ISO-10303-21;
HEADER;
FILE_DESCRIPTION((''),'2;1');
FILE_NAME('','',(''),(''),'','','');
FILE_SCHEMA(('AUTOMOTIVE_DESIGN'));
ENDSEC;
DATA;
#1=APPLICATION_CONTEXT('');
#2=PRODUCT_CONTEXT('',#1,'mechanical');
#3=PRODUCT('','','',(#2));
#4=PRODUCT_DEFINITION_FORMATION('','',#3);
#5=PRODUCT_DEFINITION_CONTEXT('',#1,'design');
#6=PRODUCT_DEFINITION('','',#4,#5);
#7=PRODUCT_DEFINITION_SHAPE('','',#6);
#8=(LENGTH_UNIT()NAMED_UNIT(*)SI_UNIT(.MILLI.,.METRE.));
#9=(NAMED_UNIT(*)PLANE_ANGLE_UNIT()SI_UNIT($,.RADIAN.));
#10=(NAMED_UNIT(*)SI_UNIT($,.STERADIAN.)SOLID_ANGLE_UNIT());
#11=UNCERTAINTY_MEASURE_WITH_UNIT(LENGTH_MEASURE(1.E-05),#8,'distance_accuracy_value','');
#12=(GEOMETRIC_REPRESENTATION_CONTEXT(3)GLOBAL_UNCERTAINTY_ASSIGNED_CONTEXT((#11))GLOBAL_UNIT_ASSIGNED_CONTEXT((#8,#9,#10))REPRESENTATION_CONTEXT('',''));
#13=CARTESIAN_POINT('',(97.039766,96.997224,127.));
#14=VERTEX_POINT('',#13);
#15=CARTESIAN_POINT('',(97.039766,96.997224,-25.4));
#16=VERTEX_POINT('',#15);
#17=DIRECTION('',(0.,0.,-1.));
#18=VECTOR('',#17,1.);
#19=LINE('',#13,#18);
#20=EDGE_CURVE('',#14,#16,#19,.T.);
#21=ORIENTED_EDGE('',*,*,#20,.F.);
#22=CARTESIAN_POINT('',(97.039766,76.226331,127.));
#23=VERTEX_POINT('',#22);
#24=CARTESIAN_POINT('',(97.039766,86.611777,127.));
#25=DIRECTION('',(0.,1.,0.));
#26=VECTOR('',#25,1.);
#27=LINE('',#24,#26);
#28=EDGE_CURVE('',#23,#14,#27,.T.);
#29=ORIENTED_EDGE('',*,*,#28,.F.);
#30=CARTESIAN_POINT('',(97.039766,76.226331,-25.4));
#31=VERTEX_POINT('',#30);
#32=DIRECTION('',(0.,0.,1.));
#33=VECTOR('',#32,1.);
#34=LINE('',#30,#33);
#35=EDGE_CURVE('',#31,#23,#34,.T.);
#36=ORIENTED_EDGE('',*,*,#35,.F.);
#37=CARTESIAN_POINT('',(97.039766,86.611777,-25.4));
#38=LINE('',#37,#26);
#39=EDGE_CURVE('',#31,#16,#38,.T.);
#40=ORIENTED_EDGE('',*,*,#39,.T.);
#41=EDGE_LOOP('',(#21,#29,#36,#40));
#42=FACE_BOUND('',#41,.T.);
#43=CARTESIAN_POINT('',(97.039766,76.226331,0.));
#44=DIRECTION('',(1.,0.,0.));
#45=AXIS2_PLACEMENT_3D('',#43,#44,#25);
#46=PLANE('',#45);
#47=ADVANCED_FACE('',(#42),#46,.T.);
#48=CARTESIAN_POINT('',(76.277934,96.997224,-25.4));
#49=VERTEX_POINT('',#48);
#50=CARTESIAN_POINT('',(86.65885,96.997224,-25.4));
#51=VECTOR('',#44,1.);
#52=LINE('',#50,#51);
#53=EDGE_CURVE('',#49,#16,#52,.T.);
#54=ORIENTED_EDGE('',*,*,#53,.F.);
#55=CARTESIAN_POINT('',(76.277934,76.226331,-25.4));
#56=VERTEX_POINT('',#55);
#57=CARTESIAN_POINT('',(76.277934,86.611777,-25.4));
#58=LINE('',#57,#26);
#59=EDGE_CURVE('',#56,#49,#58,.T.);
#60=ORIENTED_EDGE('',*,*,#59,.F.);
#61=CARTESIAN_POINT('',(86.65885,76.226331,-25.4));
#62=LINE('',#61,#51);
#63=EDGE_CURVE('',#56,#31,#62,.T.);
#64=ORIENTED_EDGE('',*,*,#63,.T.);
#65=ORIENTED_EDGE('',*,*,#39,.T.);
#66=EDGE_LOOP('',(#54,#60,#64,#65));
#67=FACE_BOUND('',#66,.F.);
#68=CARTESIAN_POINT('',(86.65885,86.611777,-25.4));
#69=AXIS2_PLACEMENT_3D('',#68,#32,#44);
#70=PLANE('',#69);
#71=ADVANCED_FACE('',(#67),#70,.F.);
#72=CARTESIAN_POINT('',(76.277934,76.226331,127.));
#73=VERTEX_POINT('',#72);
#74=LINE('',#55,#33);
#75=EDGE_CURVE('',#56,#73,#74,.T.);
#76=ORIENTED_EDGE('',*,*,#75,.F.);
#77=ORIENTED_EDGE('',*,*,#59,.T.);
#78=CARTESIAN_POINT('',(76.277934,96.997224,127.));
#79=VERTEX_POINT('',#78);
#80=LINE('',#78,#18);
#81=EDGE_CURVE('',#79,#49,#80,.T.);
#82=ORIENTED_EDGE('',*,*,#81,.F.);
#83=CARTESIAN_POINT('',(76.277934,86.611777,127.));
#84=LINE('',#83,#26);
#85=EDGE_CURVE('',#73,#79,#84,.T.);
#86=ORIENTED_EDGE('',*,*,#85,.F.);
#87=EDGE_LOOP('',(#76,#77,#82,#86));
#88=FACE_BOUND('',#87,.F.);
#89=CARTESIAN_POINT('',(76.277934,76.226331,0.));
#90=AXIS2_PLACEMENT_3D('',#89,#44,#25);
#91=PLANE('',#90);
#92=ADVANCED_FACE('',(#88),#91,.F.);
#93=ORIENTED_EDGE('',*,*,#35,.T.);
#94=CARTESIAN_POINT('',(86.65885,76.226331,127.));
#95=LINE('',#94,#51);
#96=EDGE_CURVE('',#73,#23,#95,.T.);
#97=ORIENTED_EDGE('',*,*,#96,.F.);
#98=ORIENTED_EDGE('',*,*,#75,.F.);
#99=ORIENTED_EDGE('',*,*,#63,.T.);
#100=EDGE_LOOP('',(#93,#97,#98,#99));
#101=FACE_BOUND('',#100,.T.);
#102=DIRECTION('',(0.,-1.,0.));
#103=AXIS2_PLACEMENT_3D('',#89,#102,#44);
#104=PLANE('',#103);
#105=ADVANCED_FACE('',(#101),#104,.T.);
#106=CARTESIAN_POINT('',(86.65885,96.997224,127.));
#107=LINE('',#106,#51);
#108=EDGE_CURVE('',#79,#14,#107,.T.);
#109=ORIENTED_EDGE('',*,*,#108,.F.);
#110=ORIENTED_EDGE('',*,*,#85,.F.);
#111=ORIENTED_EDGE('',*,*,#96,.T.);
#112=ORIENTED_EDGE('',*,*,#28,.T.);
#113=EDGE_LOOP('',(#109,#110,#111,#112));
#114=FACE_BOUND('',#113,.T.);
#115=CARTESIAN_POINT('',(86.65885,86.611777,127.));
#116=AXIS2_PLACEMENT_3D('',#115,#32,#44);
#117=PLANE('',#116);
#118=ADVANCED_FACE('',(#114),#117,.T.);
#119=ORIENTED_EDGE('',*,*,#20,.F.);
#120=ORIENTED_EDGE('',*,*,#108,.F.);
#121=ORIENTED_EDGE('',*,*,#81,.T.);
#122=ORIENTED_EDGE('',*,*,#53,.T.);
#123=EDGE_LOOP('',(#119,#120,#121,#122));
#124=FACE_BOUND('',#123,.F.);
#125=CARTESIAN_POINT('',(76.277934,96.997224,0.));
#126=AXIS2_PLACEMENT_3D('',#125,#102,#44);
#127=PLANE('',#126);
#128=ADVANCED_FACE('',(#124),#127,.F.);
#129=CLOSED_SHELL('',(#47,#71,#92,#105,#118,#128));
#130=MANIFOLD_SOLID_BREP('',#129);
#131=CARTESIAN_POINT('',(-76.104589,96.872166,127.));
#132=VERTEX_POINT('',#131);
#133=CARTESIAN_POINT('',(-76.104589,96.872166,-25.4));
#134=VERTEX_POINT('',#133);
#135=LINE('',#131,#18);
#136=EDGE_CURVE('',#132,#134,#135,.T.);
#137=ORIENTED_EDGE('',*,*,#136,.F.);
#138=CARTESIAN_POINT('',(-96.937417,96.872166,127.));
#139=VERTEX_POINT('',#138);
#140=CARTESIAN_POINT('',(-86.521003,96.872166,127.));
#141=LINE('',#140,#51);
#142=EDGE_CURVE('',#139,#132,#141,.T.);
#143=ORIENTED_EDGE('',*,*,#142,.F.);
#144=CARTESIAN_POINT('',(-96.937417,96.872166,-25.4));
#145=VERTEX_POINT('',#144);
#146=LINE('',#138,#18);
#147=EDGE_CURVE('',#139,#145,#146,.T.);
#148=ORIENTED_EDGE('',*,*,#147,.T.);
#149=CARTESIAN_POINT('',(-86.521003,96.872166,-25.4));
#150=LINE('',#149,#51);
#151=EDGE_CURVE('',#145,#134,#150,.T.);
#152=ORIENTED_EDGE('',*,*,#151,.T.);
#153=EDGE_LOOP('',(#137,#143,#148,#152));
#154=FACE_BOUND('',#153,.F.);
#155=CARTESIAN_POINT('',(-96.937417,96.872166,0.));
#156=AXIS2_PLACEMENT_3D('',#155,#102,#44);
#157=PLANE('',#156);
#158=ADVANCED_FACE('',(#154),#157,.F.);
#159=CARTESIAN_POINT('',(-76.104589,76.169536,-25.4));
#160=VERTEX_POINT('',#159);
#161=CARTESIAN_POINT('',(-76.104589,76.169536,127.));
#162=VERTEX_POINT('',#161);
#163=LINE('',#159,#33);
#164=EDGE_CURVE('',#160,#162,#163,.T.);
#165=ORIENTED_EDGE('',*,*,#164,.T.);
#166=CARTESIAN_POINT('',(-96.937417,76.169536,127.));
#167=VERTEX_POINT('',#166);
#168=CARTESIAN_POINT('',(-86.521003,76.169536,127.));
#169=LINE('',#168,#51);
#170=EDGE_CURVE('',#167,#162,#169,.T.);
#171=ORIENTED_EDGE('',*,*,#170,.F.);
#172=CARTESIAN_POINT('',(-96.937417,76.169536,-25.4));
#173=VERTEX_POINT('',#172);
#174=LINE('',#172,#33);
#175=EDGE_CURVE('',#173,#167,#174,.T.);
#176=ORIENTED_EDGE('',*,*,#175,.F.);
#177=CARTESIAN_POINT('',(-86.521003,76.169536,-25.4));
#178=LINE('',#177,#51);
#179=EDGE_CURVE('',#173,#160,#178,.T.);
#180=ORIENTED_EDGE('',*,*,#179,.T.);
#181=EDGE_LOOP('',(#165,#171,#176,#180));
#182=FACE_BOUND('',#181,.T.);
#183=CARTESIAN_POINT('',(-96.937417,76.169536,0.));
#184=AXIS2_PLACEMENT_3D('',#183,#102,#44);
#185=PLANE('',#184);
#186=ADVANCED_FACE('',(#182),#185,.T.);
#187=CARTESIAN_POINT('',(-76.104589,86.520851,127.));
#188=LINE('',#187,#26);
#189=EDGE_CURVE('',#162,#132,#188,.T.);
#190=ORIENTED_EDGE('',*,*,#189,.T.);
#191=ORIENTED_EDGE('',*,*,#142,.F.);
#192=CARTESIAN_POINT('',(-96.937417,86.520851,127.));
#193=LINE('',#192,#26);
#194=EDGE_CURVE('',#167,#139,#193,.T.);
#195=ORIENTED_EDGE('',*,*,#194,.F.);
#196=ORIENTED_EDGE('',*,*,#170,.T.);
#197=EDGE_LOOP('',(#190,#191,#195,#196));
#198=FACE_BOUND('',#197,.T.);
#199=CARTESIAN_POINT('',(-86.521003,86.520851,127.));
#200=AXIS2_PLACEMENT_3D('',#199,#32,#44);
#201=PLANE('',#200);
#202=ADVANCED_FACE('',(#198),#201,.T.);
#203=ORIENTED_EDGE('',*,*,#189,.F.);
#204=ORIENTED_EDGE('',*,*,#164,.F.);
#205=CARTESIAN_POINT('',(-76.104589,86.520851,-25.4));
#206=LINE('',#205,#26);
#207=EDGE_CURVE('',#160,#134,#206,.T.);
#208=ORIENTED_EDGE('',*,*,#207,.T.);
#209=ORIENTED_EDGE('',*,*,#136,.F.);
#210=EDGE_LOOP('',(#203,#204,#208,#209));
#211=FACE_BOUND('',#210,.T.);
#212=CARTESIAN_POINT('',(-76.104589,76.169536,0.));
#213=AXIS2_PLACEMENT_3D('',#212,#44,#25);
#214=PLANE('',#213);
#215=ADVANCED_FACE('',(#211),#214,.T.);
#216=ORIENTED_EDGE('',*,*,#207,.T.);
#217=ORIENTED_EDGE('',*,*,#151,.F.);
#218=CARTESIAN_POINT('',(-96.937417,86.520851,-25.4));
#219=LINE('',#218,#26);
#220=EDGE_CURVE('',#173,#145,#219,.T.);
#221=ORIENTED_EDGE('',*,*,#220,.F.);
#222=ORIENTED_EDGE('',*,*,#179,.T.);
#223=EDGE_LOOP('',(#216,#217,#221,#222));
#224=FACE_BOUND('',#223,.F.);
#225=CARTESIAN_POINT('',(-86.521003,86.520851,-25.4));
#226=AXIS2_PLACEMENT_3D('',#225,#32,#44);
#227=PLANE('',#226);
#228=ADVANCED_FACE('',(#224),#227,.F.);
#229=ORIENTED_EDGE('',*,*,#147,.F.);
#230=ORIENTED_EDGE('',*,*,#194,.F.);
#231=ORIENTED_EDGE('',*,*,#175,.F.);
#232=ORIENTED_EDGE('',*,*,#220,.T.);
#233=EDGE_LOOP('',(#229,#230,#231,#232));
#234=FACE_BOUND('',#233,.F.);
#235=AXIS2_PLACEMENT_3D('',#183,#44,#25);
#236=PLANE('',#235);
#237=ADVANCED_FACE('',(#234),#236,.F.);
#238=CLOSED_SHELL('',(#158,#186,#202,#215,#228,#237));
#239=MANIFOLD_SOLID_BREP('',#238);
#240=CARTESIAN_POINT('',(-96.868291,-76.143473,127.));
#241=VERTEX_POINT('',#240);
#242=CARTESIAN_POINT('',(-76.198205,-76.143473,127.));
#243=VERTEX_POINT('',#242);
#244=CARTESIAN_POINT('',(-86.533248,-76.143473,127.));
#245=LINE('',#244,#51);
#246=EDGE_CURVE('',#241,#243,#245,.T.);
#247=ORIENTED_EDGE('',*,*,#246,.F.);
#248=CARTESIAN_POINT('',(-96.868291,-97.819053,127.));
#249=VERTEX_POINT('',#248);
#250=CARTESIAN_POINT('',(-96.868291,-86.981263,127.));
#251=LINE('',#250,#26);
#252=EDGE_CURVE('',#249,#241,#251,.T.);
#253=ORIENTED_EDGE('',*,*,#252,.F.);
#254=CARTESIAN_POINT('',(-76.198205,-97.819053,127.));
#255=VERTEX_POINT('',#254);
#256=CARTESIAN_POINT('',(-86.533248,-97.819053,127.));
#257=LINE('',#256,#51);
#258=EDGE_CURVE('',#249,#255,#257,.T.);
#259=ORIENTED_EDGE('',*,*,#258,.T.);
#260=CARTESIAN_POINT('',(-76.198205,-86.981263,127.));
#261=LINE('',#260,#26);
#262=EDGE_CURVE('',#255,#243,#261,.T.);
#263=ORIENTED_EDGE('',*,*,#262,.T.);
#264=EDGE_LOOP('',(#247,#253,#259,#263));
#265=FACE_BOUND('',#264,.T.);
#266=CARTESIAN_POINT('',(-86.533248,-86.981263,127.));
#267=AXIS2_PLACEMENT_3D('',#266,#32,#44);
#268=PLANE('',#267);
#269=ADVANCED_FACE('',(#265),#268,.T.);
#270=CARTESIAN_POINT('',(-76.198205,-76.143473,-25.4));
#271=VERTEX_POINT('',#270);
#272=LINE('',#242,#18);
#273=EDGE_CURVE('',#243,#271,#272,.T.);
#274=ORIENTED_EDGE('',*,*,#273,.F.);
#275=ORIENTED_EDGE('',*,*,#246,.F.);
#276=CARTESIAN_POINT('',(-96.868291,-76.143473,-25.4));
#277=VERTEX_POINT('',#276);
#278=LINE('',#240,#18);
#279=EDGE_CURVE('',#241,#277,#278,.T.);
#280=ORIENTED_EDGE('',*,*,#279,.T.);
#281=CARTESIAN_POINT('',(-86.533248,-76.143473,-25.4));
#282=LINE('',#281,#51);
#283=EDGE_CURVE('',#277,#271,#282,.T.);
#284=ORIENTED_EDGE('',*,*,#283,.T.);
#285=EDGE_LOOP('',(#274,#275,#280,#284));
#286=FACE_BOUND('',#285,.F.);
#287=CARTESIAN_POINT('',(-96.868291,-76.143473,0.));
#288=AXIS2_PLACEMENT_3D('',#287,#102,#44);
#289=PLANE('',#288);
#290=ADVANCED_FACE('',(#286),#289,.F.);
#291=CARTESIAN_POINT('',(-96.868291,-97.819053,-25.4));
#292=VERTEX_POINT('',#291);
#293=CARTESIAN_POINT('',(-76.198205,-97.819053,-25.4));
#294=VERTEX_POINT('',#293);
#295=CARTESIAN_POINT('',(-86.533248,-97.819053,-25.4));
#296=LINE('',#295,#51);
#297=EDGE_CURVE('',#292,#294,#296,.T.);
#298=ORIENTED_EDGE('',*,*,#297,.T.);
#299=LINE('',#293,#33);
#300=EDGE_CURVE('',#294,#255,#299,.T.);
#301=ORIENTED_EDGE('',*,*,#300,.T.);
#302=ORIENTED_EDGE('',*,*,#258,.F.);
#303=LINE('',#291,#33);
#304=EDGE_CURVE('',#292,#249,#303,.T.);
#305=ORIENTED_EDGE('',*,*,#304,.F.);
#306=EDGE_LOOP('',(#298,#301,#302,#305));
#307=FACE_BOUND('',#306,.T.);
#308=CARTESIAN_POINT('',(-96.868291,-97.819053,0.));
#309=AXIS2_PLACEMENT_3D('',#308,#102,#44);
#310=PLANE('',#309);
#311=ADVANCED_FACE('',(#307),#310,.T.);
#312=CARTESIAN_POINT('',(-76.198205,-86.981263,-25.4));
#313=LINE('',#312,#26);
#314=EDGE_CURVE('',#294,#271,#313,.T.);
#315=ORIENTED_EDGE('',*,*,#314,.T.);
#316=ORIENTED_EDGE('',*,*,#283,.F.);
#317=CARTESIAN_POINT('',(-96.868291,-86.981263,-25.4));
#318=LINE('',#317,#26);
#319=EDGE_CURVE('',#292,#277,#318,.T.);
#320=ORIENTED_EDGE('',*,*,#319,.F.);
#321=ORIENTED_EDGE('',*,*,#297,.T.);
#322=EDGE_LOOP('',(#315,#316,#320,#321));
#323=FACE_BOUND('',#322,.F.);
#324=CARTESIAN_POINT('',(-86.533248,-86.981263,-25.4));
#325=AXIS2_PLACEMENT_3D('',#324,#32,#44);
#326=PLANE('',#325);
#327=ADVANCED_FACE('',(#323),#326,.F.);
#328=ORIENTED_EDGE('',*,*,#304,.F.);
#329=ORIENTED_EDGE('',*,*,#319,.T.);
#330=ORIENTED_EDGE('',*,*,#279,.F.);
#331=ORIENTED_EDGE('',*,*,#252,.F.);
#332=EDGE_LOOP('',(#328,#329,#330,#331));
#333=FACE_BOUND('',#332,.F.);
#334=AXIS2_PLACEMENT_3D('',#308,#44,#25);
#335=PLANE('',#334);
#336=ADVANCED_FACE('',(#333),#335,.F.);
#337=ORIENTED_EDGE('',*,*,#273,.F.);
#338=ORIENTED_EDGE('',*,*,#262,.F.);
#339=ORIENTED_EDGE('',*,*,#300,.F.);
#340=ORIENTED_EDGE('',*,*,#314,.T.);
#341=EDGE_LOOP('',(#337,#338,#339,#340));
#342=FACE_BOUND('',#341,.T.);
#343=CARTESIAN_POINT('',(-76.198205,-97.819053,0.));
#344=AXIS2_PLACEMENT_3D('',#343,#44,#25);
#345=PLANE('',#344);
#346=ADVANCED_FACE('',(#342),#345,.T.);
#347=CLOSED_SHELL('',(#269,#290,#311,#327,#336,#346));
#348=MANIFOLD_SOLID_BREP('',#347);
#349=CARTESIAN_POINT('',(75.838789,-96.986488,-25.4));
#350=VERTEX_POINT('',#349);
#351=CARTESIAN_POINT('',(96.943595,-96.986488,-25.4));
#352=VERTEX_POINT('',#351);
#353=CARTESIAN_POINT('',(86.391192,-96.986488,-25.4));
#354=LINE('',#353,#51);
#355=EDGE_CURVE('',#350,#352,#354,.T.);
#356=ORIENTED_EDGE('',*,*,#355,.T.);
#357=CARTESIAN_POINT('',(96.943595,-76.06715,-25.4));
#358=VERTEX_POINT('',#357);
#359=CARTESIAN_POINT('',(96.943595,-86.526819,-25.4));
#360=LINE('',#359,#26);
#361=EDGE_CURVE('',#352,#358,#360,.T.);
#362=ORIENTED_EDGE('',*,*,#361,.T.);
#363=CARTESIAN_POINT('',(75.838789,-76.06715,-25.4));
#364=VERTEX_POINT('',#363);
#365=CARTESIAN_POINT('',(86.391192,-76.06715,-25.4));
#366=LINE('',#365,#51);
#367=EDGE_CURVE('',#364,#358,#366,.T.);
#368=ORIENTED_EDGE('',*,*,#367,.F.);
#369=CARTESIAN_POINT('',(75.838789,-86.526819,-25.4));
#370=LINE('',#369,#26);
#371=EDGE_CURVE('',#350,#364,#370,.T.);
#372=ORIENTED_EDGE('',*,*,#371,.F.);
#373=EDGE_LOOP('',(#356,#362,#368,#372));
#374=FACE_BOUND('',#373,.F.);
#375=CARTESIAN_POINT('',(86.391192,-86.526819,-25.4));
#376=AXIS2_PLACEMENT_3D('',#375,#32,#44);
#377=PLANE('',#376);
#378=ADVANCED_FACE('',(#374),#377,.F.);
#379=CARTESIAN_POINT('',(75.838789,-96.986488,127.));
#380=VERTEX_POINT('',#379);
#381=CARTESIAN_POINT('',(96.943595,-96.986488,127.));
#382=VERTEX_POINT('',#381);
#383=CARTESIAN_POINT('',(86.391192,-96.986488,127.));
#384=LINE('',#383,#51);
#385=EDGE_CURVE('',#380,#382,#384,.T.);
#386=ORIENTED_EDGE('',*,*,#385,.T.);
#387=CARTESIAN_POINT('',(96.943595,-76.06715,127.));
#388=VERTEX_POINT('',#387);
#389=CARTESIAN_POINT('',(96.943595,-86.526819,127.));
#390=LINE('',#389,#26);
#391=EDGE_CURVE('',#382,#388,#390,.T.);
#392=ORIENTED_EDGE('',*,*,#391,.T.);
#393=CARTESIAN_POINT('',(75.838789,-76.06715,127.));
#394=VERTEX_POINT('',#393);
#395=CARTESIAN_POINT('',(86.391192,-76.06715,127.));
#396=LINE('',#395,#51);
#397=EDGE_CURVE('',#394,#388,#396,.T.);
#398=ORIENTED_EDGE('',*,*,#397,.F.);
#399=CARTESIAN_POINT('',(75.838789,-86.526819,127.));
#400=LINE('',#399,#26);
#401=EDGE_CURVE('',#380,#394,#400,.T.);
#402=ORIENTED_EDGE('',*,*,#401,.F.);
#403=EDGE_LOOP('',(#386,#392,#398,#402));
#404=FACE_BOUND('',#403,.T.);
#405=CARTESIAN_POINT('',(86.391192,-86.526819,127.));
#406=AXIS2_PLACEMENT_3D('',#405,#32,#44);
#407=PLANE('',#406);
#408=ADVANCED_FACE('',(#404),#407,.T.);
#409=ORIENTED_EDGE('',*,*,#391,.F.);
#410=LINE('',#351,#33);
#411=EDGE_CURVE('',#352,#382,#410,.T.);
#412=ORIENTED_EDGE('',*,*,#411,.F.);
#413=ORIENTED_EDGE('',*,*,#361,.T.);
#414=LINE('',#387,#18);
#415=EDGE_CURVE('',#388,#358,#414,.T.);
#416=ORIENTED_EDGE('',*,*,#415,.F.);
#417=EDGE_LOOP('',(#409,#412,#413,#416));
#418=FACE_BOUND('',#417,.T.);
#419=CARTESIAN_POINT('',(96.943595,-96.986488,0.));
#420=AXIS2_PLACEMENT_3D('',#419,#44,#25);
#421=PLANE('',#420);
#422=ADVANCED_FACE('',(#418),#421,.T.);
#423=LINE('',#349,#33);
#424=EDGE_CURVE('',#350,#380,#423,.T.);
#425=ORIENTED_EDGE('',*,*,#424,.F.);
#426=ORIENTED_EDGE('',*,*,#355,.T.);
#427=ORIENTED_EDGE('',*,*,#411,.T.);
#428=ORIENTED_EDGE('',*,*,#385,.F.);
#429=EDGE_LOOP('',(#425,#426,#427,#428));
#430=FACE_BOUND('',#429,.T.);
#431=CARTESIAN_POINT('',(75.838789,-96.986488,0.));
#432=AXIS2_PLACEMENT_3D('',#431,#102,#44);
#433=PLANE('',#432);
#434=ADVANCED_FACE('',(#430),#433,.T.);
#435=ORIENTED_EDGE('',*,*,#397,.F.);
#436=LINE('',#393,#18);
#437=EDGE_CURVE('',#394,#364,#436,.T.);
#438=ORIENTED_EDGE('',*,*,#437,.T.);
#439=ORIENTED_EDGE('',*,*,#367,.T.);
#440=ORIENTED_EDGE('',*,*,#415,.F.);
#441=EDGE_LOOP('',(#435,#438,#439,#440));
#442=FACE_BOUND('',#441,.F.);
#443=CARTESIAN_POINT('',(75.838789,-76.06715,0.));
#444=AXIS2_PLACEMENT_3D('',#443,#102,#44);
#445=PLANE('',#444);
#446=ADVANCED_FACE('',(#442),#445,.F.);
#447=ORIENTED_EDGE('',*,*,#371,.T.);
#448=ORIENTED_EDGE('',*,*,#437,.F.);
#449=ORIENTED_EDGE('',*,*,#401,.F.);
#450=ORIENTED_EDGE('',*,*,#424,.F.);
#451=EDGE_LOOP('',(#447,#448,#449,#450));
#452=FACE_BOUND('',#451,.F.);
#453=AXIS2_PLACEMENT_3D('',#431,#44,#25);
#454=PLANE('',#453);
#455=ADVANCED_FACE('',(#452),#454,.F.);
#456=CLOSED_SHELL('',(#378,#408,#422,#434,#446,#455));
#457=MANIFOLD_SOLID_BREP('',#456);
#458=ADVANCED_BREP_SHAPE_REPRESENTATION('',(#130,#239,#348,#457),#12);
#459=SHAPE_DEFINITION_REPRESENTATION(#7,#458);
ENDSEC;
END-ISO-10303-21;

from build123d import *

# Parameters (mm, degrees)
F0_W          = 20.832829
F0_H          = 20.70263
F0_W_2        = 21.104806
F0_H_2        = 20.919338
F0_W_3        = 20.670086
F0_H_3        = 21.67558
F0_W_4        = 20.761833
F0_H_4        = 20.770893
F1_DEPTH      = 127
F1_DEPTH_BACK = 25.4


with BuildPart() as f1:
    # F0 (on Top) → F1 (new body, two sides)
    with BuildSketch(Plane.XY) as f1_sk:
        with Locations((-86.521003, 86.520851)):
            Rectangle(F0_W, F0_H)
        with Locations((86.391192, -86.526819)):
            Rectangle(F0_W_2, F0_H_2)
        with Locations((-86.533248, -86.981263)):
            Rectangle(F0_W_3, F0_H_3)
        with Locations((86.65885, 86.611777)):
            Rectangle(F0_W_4, F0_H_4)
    extrude(amount=F1_DEPTH)
    extrude(f1_sk.sketch, amount=-F1_DEPTH_BACK)


solid = f1.part
